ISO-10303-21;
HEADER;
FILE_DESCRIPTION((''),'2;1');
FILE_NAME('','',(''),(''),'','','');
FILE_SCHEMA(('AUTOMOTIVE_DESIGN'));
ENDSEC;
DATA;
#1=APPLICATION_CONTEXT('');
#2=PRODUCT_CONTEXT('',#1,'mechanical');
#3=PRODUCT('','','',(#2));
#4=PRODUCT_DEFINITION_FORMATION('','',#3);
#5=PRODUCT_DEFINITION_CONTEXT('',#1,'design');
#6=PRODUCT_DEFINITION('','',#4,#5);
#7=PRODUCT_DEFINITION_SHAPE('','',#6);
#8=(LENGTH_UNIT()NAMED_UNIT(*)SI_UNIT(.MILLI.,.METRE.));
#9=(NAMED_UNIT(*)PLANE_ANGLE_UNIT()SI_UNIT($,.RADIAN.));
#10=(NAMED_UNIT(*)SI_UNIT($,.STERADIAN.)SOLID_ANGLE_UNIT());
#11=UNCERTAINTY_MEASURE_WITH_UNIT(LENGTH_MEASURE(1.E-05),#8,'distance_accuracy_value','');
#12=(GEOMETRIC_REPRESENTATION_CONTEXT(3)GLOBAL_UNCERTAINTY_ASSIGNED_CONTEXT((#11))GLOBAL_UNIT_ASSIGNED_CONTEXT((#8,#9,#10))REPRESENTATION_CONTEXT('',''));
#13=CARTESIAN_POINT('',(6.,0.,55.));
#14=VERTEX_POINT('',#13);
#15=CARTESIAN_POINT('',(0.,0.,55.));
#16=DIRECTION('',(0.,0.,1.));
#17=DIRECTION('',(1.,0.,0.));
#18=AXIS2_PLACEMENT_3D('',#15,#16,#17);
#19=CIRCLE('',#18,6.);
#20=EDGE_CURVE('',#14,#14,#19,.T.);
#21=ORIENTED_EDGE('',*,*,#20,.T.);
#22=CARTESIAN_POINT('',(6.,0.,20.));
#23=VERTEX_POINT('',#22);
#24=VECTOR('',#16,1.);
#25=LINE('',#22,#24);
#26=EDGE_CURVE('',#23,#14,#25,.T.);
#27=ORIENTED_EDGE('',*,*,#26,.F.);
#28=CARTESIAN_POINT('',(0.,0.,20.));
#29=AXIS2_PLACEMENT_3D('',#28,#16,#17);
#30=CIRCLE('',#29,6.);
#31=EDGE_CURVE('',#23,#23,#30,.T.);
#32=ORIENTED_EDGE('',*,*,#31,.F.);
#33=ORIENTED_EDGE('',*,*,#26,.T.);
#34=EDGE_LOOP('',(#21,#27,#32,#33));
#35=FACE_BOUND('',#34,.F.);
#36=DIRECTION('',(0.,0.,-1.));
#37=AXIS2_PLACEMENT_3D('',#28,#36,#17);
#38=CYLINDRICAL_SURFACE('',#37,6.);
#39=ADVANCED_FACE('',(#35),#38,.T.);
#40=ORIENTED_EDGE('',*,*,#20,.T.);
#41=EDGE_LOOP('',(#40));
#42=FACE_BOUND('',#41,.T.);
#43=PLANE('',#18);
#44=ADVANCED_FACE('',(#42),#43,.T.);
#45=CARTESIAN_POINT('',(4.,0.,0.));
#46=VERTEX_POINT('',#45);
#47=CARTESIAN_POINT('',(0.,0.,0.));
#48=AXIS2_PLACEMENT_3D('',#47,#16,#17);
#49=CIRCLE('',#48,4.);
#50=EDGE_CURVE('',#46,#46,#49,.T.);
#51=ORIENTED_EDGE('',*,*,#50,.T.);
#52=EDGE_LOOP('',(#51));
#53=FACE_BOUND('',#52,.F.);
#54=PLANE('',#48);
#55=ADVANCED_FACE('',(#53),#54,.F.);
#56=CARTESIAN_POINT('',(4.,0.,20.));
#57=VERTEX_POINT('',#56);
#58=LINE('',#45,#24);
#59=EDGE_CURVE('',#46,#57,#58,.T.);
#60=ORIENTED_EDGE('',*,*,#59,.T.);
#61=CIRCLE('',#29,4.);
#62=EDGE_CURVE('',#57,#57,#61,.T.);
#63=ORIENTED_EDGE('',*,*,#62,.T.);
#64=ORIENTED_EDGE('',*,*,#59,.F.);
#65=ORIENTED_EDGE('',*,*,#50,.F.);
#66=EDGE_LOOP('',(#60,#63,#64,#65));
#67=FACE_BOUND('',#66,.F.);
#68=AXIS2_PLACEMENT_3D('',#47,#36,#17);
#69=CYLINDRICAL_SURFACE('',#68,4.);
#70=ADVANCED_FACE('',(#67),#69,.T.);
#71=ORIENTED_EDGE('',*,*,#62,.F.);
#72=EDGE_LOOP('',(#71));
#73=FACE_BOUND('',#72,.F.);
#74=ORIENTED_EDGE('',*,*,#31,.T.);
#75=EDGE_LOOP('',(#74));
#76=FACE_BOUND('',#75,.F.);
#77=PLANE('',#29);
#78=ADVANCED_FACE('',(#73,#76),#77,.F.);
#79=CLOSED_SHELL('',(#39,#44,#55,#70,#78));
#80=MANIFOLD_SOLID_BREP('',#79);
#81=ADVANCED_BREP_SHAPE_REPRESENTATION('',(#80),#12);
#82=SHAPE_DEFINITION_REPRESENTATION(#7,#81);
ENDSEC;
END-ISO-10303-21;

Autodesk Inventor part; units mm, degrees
ref_plane "YZ Plane" through (0, 0, 0) normal (1, 0, 0) x (0, 1, 0)
ref_plane "XZ Plane" through (0, 0, 0) normal (0, 1, 0) x (-1, 0, 0)
ref_plane "XY Plane" through (0, 0, 0) normal (0, 0, 1) x (1, 0, 0)
sketch "Sketch1" plane through (0, 0, 0) normal (0, 0, 1) x (1, 0, 0)
  circle A0 centre (0, 0) radius 4
  dimension "d0" = 8
extrude "Extrusion1" add sketch "Sketch1" along normal blind 20
sketch "Sketch2" plane through (0, 0, 20) normal (0, 0, 1) x (1, 0, 0)
  circle A0 centre (0, 0) radius 6
  dimension "d3" = 12
extrude "Extrusion2" add sketch "Sketch2" along normal blind 35
properties part number "shaft_optical_enc"
